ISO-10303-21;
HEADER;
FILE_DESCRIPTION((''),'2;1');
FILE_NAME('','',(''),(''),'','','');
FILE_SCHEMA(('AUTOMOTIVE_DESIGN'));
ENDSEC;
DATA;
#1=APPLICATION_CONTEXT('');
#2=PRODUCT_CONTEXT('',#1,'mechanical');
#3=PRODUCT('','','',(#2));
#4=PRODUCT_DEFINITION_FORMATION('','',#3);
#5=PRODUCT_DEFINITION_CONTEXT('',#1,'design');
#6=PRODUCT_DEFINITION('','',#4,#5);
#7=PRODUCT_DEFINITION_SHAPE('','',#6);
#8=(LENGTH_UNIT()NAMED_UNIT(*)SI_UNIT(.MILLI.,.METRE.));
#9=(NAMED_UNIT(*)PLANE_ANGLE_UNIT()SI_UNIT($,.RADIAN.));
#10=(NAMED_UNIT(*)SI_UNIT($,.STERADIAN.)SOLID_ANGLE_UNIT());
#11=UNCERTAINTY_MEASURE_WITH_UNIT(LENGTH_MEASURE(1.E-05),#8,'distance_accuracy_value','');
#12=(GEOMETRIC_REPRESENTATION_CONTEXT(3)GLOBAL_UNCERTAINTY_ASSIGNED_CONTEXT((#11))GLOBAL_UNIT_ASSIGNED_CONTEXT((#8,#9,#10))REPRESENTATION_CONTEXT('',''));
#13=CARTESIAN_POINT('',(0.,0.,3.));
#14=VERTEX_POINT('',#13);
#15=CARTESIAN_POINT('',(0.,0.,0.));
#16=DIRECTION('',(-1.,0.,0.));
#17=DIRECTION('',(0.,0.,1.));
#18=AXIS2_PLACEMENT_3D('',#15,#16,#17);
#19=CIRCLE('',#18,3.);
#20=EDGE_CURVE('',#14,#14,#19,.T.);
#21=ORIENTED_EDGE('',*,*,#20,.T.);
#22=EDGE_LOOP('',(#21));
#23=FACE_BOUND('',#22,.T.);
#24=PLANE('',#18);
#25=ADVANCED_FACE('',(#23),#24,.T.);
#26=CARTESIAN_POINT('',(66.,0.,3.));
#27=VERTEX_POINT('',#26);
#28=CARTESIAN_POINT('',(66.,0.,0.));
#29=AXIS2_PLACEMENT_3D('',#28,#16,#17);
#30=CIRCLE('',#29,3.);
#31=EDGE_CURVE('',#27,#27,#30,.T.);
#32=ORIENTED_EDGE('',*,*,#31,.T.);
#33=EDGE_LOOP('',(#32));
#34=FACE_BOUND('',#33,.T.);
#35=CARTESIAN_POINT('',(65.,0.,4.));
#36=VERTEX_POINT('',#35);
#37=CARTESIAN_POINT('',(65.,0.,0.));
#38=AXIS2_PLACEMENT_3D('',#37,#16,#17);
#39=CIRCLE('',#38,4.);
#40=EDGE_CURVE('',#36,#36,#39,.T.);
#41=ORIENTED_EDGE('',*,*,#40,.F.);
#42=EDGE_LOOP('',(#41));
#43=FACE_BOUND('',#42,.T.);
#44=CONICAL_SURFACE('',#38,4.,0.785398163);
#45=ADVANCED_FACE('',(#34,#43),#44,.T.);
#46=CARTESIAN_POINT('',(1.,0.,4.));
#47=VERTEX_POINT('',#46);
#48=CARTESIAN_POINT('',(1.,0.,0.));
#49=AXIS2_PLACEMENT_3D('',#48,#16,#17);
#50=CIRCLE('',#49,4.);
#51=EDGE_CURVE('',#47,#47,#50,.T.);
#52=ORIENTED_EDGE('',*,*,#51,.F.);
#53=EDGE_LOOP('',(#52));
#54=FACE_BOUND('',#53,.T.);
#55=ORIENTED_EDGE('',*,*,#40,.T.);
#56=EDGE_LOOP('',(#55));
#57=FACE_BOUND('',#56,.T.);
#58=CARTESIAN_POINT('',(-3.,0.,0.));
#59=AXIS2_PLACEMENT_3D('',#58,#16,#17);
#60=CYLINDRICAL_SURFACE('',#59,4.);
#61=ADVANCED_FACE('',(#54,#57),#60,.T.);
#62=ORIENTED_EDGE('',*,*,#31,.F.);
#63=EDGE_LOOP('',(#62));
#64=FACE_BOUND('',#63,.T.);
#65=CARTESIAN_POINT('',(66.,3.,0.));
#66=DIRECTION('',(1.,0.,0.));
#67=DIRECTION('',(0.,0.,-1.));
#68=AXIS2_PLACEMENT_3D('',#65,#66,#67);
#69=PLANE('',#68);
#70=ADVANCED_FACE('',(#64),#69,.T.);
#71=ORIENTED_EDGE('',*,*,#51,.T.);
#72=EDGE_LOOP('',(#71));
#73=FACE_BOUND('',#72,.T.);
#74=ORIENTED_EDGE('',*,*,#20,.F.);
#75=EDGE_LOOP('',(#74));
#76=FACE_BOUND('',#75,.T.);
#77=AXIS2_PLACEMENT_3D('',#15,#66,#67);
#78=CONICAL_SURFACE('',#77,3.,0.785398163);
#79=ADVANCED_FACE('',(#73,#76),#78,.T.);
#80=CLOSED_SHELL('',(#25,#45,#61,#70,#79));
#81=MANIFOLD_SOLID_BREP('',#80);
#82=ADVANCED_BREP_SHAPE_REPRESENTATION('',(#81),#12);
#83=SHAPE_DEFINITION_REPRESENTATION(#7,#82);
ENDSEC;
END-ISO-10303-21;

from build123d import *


with BuildPart() as part:
    # Esquisse1 → Base-Révolution (revolve)
    with BuildSketch(Plane.XY, mode=Mode.PRIVATE) as base_r_volution_sk:
        Polygon((0, 0), (0, 3), (1, 4), (65, 4), (66, 3), (66, 0), align=None)
    revolve(base_r_volution_sk.sketch.rotate(Axis((-3, 0, 0), (1, 0, 0)), 90), axis=Axis((-3, 0, 0), (1, 0, 0)))


solid = part.part
